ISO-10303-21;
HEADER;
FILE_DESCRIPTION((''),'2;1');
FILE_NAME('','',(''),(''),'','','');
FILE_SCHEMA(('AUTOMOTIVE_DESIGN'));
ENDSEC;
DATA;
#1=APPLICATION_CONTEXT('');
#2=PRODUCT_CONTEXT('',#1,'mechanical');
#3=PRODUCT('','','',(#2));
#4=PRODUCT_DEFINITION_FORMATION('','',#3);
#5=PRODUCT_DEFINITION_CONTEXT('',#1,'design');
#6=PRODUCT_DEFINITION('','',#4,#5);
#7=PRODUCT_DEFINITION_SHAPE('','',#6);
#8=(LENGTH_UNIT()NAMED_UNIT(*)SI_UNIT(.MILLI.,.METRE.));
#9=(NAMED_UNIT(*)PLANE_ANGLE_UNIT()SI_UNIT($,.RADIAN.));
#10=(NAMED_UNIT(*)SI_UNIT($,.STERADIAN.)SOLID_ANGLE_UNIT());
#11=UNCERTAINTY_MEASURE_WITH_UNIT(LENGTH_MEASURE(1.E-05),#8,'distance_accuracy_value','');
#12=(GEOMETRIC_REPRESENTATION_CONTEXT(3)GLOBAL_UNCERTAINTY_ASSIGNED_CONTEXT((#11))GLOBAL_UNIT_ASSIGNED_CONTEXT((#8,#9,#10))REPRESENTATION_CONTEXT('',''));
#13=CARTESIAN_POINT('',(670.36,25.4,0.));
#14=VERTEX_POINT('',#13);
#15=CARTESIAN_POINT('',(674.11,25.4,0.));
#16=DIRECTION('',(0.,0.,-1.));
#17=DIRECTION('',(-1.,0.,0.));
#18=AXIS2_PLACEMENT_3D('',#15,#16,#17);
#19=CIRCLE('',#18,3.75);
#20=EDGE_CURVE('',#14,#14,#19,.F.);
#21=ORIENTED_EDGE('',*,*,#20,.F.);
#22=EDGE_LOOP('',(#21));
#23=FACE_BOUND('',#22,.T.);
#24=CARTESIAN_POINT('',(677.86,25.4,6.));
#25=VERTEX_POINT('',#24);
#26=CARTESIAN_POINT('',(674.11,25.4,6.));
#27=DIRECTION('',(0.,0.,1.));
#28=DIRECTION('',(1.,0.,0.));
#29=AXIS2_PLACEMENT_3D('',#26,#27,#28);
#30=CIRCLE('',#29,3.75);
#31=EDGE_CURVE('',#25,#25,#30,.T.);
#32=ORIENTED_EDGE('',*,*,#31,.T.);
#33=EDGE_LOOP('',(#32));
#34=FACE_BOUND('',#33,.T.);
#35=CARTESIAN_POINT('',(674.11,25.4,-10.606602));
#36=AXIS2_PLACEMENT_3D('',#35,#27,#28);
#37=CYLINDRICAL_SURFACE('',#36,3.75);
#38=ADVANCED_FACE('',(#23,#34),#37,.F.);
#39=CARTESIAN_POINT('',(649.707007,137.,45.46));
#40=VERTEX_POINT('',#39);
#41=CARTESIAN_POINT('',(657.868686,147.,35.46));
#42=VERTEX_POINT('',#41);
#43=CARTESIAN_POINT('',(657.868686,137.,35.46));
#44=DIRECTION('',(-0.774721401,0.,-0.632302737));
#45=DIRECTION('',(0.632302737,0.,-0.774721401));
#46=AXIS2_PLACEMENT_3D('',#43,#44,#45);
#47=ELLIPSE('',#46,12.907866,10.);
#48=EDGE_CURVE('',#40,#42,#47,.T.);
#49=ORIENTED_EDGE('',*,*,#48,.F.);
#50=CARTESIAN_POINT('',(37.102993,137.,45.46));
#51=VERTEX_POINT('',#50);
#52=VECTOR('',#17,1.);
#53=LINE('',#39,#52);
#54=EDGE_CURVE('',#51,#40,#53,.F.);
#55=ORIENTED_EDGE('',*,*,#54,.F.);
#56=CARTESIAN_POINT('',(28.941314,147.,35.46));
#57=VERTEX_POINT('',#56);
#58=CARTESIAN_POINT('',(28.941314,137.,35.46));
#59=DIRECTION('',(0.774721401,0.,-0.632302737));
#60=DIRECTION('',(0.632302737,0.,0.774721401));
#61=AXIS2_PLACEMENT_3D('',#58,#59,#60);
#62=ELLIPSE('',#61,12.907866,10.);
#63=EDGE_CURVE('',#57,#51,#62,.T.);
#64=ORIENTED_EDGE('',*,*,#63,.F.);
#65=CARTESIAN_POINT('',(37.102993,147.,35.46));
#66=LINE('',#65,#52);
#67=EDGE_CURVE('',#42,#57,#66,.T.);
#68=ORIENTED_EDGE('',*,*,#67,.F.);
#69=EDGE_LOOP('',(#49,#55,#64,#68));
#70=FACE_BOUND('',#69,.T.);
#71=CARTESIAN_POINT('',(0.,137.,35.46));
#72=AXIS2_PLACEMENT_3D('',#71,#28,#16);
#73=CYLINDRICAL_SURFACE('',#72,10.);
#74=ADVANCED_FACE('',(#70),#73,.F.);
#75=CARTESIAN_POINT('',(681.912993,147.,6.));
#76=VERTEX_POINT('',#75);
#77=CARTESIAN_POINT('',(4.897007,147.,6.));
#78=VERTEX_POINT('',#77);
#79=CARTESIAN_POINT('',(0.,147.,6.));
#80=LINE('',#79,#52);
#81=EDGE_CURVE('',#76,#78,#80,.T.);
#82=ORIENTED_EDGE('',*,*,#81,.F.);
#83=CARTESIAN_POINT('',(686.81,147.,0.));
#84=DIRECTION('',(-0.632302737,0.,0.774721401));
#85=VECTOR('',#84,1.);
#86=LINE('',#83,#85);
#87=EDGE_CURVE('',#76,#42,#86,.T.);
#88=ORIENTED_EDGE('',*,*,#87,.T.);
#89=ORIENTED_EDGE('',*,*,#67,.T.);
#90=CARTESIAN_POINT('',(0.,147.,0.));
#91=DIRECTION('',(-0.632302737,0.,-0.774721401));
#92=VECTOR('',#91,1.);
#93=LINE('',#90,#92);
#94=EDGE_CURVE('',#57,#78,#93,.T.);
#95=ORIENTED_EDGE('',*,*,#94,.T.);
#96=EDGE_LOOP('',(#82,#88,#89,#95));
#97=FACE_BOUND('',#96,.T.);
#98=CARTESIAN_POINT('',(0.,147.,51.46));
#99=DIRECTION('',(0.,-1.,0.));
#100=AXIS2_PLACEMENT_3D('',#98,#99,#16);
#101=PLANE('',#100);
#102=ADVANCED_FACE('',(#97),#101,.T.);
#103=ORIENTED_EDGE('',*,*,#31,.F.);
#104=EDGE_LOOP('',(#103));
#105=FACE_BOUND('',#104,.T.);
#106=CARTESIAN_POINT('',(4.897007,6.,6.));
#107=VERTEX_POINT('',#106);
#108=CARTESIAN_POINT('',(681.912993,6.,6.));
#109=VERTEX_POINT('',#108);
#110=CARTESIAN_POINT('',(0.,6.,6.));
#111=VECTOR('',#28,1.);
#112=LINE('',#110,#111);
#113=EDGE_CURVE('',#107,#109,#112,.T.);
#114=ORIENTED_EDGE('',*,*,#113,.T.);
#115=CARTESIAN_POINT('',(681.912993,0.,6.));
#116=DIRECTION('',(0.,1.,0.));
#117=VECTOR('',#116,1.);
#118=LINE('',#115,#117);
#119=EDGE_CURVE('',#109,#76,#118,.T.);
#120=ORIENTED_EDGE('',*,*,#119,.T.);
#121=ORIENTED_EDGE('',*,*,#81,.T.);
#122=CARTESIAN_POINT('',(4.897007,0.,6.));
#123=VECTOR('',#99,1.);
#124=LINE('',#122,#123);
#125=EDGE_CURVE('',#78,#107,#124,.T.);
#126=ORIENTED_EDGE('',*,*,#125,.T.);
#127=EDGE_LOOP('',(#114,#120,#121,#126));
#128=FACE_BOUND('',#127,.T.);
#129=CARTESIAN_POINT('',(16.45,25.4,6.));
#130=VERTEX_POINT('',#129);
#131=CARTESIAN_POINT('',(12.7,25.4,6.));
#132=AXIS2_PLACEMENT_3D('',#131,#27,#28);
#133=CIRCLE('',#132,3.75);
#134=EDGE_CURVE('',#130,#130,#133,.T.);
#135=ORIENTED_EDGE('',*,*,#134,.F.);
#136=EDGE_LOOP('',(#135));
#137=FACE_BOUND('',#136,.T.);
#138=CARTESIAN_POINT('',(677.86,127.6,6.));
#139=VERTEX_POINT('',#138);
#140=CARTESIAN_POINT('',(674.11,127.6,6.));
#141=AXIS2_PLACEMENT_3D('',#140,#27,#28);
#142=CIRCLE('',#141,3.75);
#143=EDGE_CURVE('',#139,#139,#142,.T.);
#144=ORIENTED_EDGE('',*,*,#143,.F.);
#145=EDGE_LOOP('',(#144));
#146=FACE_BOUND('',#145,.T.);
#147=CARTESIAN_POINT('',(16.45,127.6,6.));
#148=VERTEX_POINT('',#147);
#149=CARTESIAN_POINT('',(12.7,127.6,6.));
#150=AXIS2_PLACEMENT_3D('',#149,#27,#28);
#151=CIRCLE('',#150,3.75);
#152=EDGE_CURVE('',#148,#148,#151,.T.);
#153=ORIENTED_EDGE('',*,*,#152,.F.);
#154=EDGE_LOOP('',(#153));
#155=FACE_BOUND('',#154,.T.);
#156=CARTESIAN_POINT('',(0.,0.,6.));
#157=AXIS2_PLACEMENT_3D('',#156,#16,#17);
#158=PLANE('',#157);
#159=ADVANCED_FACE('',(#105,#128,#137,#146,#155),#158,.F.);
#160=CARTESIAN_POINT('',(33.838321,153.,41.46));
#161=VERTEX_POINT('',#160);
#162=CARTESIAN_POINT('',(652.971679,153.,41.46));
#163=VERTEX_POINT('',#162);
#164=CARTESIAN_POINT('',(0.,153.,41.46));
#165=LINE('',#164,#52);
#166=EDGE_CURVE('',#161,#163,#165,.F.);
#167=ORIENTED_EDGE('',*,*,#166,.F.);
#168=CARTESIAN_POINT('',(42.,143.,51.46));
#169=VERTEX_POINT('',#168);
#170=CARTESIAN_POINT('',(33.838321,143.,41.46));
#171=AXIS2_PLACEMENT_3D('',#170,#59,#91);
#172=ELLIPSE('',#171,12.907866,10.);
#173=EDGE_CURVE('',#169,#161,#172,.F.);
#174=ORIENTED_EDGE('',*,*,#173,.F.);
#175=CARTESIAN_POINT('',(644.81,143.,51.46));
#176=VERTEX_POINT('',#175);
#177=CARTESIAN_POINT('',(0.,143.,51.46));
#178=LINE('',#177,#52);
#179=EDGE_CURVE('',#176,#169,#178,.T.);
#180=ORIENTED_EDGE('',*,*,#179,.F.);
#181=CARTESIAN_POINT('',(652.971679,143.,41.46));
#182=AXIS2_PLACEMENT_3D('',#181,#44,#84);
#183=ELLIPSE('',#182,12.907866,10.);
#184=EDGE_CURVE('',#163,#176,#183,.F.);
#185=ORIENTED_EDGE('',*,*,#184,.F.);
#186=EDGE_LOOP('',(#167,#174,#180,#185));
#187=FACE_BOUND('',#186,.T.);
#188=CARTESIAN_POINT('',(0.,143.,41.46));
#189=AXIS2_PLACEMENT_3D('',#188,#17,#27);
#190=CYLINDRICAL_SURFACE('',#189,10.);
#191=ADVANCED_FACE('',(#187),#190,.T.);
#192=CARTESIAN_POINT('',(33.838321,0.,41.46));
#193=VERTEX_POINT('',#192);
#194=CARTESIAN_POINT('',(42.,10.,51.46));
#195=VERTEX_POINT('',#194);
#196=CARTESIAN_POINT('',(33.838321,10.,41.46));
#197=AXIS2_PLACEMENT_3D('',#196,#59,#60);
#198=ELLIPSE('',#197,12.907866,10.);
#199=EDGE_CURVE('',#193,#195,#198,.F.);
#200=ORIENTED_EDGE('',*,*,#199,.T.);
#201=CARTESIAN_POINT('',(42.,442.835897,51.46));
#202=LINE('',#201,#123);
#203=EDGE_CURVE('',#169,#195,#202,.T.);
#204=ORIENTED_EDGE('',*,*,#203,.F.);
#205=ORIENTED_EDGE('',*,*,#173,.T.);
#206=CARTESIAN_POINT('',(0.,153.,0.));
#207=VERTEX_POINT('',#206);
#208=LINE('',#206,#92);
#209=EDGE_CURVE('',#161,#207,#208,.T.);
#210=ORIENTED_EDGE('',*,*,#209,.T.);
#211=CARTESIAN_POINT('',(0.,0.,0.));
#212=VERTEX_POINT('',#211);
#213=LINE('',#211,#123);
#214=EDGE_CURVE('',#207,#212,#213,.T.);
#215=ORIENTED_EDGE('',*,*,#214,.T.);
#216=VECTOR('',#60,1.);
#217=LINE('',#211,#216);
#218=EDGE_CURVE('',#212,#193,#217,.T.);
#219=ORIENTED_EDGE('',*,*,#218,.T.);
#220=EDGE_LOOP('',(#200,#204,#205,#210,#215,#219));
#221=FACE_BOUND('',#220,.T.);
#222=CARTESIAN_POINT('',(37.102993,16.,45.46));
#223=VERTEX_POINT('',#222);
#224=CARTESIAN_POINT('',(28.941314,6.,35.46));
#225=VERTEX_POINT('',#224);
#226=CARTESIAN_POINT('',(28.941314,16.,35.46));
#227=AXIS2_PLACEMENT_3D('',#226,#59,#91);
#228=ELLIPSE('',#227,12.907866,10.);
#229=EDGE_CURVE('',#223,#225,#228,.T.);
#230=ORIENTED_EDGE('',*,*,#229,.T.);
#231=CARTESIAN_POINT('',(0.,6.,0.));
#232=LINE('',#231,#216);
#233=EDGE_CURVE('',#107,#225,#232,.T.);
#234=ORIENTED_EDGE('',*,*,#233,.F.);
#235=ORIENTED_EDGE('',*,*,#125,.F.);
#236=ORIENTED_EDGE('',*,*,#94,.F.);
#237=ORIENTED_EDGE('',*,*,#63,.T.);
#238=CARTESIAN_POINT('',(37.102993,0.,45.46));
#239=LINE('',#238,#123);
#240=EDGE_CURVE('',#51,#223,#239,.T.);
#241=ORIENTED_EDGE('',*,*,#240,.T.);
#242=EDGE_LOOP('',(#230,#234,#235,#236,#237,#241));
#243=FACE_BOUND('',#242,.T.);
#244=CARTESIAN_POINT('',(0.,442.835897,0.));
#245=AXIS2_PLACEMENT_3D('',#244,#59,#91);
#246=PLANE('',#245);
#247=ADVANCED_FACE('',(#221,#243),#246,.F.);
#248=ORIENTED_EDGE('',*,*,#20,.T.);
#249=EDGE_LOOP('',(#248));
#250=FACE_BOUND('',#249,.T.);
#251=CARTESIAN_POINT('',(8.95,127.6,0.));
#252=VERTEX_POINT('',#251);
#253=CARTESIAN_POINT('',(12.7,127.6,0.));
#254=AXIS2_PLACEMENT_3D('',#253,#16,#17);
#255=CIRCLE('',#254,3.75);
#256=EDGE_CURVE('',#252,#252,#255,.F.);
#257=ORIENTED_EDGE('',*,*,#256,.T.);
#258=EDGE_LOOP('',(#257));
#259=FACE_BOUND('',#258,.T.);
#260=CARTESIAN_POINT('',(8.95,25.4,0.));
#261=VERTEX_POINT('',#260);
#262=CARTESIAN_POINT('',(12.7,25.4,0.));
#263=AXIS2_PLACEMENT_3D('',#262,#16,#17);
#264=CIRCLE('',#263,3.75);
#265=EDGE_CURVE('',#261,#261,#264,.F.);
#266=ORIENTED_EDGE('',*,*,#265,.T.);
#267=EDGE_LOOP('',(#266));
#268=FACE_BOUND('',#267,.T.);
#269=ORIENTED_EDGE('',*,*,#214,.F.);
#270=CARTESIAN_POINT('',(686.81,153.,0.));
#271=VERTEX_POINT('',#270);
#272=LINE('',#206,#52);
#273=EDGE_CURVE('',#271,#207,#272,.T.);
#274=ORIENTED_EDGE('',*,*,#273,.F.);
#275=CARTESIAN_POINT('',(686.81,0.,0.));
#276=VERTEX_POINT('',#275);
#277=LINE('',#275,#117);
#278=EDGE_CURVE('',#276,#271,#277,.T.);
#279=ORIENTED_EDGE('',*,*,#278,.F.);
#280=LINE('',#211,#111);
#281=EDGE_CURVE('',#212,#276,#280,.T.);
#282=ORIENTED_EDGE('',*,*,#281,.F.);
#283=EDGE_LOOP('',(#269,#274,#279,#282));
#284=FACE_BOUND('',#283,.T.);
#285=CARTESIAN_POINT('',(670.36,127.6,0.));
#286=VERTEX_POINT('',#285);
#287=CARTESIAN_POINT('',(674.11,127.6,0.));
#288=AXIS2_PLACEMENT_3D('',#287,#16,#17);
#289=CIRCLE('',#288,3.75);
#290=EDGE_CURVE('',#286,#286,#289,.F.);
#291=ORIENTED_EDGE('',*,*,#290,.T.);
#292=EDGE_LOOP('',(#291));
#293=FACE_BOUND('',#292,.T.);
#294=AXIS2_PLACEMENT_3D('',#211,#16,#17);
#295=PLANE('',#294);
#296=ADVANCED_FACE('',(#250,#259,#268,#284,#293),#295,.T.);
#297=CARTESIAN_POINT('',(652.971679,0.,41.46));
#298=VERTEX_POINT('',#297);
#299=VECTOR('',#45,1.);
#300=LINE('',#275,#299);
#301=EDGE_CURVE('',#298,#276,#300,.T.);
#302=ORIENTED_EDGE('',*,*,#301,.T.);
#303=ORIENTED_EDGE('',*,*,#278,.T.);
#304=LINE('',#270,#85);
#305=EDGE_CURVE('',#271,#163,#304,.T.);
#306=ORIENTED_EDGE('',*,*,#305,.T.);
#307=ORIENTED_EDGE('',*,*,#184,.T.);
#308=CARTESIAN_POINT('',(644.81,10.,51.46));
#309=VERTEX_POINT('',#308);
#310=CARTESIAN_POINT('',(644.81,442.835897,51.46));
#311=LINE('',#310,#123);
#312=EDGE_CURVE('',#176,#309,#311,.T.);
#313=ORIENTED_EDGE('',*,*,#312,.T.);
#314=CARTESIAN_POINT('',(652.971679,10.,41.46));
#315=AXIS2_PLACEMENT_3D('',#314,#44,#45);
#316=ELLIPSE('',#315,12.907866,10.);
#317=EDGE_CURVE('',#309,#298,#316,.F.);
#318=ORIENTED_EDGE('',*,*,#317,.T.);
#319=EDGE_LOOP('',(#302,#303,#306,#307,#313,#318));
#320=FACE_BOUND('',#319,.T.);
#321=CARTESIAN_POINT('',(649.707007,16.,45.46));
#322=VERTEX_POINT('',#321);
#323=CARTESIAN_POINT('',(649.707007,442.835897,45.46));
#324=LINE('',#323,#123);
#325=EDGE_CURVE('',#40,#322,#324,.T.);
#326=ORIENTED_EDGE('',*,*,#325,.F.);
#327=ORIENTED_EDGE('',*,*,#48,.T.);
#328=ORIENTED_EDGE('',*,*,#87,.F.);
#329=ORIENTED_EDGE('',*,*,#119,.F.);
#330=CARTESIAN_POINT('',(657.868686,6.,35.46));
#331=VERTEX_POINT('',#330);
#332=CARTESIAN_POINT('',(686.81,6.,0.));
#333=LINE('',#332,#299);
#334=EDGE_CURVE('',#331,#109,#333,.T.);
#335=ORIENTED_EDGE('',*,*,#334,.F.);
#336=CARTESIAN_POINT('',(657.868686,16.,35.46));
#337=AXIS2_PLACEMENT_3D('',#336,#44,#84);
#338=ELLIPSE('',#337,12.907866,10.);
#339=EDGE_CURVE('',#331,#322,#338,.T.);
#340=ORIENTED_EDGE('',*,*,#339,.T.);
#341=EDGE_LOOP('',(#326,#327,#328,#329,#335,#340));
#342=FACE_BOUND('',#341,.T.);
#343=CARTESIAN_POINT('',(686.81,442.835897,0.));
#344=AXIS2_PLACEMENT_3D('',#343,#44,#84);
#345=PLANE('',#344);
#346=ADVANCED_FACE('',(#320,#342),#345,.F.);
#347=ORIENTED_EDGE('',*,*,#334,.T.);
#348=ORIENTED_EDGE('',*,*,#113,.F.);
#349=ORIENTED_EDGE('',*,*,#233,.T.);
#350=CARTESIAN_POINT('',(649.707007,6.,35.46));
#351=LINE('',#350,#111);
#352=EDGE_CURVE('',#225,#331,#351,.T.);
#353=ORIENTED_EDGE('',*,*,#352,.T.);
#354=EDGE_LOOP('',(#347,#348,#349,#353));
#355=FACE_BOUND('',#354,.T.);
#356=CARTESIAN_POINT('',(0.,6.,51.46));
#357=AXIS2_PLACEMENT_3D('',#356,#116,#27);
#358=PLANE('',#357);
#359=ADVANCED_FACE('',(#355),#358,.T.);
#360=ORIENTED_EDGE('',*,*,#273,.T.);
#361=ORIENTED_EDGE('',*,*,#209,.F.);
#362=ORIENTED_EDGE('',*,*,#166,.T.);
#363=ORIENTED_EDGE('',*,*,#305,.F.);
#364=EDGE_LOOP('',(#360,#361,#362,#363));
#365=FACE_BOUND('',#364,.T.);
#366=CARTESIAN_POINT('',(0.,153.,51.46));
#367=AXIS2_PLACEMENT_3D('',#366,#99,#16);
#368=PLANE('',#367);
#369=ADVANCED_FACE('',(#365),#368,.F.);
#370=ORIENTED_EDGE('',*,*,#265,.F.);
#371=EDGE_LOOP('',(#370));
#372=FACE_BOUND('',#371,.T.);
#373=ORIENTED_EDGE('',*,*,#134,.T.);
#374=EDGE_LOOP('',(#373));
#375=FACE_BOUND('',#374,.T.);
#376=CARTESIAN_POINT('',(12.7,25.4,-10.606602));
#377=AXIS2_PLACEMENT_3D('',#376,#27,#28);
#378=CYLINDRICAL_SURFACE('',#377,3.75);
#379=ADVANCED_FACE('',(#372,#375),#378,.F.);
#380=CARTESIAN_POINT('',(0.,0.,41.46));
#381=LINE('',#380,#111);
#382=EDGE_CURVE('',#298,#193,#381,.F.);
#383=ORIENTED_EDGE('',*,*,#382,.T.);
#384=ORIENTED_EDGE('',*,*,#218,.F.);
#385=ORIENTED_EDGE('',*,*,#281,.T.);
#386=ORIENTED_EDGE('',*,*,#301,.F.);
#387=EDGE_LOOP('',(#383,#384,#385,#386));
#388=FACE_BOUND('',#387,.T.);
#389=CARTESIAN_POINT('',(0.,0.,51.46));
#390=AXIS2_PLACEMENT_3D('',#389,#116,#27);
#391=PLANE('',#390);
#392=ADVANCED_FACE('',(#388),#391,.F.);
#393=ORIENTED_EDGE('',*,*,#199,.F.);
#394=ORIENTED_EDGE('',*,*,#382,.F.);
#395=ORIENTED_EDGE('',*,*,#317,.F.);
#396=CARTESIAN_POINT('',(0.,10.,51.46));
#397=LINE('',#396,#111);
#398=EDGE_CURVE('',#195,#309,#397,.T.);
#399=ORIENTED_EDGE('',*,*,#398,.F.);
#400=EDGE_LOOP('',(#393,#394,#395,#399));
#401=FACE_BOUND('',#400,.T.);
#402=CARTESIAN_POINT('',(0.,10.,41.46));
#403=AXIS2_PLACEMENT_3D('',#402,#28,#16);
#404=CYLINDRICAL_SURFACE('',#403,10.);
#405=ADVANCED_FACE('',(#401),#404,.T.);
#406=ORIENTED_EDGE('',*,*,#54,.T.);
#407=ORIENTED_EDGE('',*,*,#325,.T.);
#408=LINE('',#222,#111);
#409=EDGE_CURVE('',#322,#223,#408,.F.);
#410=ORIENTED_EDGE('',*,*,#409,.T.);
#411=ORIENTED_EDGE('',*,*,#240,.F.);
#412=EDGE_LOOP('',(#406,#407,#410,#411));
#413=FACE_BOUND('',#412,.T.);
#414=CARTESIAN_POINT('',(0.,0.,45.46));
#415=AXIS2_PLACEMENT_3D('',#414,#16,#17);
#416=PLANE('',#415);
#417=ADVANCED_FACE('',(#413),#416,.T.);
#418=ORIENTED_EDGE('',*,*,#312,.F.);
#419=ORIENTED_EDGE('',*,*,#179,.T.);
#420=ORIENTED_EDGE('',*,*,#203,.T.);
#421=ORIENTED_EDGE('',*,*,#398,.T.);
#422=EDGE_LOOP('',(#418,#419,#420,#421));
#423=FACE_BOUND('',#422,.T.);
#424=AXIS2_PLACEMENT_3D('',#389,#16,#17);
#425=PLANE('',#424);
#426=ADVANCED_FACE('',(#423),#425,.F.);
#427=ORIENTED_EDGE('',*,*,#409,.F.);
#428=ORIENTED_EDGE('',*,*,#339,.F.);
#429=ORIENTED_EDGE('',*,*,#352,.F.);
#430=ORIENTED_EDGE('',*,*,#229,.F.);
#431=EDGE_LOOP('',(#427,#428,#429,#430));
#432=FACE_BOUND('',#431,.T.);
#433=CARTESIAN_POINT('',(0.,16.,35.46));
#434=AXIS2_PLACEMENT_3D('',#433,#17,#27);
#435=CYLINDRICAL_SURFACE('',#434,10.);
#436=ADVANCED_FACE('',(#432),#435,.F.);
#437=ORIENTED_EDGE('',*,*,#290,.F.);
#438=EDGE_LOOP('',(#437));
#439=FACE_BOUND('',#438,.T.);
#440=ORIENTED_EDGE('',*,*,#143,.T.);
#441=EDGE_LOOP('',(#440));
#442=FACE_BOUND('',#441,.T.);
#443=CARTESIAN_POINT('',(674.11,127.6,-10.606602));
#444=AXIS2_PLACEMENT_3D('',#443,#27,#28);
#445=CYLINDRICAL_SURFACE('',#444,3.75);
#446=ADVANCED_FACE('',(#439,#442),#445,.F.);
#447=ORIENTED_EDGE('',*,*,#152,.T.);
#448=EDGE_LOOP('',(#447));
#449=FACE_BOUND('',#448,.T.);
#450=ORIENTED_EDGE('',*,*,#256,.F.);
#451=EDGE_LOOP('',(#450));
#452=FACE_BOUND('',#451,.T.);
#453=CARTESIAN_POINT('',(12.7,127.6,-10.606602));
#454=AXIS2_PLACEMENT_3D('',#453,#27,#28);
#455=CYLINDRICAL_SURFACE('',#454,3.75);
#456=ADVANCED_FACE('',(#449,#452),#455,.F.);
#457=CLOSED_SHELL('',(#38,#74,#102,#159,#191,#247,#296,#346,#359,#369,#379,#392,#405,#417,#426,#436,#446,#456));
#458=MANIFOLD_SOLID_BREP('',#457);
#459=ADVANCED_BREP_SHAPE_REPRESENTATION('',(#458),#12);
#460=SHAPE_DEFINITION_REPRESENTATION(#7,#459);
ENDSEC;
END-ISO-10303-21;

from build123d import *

# Parameters (mm, degrees)
SKETCH1_W           = 686.81
SKETCH1_H           = 153
BOSS_EXTRUDE1_DEPTH = 51.46
CUT_EXTRUDE1_DEPTH  = 153
SHELL1_T            = -6
SKETCH3_R           = 3.75
CUT_EXTRUDE2_DEPTH  = 6
FILLET1_R           = 10


with BuildPart() as part:
    # Sketch1 → Boss-Extrude1 (new body)
    with BuildSketch(Plane.XY):
        with Locations((343.405, 76.5)):
            Rectangle(SKETCH1_W, SKETCH1_H)
    extrude(amount=BOSS_EXTRUDE1_DEPTH)

    # Sketch2 → Cut-Extrude1 (cut)
    with BuildSketch(Plane.XZ):
        Polygon((0, 0), (42, 51.46), (-52.578690856, 191.351676445), (-175.691026148, 25.73), align=None)
        Polygon((686.81, 0), (644.81, 51.46), (843.619472118, 127.98285715), align=None)
    extrude(amount=-CUT_EXTRUDE1_DEPTH, mode=Mode.SUBTRACT)

    # Shell1
    shell1_openings = [part.faces().sort_by_distance(p)[0] for p in [
        (21, 76.5, 25.73),
        (665.81, 76.5, 25.73),
    ]]
    offset(amount=SHELL1_T, openings=shell1_openings, kind=Kind.INTERSECTION)

    # Sketch3 → Cut-Extrude2 (cut)
    with BuildSketch(Plane.XY.offset(6)):
        with Locations((12.7, 25.4)):
            Circle(SKETCH3_R)
        with Locations((12.7, 127.6)):
            Circle(SKETCH3_R)
        with Locations((674.11, 25.4)):
            Circle(SKETCH3_R)
        with Locations((674.11, 127.6)):
            Circle(SKETCH3_R)
    extrude(amount=-CUT_EXTRUDE2_DEPTH, mode=Mode.SUBTRACT)

    # Fillet1
    fillet1_edges = [part.edges().sort_by_distance(p)[0] for p in [
        (343.405, 0, 51.46),
        (343.405, 153, 51.46),
        (343.405, 6, 45.46),
        (343.405, 147, 45.46),
    ]]
    fillet(fillet1_edges, radius=FILLET1_R)


solid = part.part
